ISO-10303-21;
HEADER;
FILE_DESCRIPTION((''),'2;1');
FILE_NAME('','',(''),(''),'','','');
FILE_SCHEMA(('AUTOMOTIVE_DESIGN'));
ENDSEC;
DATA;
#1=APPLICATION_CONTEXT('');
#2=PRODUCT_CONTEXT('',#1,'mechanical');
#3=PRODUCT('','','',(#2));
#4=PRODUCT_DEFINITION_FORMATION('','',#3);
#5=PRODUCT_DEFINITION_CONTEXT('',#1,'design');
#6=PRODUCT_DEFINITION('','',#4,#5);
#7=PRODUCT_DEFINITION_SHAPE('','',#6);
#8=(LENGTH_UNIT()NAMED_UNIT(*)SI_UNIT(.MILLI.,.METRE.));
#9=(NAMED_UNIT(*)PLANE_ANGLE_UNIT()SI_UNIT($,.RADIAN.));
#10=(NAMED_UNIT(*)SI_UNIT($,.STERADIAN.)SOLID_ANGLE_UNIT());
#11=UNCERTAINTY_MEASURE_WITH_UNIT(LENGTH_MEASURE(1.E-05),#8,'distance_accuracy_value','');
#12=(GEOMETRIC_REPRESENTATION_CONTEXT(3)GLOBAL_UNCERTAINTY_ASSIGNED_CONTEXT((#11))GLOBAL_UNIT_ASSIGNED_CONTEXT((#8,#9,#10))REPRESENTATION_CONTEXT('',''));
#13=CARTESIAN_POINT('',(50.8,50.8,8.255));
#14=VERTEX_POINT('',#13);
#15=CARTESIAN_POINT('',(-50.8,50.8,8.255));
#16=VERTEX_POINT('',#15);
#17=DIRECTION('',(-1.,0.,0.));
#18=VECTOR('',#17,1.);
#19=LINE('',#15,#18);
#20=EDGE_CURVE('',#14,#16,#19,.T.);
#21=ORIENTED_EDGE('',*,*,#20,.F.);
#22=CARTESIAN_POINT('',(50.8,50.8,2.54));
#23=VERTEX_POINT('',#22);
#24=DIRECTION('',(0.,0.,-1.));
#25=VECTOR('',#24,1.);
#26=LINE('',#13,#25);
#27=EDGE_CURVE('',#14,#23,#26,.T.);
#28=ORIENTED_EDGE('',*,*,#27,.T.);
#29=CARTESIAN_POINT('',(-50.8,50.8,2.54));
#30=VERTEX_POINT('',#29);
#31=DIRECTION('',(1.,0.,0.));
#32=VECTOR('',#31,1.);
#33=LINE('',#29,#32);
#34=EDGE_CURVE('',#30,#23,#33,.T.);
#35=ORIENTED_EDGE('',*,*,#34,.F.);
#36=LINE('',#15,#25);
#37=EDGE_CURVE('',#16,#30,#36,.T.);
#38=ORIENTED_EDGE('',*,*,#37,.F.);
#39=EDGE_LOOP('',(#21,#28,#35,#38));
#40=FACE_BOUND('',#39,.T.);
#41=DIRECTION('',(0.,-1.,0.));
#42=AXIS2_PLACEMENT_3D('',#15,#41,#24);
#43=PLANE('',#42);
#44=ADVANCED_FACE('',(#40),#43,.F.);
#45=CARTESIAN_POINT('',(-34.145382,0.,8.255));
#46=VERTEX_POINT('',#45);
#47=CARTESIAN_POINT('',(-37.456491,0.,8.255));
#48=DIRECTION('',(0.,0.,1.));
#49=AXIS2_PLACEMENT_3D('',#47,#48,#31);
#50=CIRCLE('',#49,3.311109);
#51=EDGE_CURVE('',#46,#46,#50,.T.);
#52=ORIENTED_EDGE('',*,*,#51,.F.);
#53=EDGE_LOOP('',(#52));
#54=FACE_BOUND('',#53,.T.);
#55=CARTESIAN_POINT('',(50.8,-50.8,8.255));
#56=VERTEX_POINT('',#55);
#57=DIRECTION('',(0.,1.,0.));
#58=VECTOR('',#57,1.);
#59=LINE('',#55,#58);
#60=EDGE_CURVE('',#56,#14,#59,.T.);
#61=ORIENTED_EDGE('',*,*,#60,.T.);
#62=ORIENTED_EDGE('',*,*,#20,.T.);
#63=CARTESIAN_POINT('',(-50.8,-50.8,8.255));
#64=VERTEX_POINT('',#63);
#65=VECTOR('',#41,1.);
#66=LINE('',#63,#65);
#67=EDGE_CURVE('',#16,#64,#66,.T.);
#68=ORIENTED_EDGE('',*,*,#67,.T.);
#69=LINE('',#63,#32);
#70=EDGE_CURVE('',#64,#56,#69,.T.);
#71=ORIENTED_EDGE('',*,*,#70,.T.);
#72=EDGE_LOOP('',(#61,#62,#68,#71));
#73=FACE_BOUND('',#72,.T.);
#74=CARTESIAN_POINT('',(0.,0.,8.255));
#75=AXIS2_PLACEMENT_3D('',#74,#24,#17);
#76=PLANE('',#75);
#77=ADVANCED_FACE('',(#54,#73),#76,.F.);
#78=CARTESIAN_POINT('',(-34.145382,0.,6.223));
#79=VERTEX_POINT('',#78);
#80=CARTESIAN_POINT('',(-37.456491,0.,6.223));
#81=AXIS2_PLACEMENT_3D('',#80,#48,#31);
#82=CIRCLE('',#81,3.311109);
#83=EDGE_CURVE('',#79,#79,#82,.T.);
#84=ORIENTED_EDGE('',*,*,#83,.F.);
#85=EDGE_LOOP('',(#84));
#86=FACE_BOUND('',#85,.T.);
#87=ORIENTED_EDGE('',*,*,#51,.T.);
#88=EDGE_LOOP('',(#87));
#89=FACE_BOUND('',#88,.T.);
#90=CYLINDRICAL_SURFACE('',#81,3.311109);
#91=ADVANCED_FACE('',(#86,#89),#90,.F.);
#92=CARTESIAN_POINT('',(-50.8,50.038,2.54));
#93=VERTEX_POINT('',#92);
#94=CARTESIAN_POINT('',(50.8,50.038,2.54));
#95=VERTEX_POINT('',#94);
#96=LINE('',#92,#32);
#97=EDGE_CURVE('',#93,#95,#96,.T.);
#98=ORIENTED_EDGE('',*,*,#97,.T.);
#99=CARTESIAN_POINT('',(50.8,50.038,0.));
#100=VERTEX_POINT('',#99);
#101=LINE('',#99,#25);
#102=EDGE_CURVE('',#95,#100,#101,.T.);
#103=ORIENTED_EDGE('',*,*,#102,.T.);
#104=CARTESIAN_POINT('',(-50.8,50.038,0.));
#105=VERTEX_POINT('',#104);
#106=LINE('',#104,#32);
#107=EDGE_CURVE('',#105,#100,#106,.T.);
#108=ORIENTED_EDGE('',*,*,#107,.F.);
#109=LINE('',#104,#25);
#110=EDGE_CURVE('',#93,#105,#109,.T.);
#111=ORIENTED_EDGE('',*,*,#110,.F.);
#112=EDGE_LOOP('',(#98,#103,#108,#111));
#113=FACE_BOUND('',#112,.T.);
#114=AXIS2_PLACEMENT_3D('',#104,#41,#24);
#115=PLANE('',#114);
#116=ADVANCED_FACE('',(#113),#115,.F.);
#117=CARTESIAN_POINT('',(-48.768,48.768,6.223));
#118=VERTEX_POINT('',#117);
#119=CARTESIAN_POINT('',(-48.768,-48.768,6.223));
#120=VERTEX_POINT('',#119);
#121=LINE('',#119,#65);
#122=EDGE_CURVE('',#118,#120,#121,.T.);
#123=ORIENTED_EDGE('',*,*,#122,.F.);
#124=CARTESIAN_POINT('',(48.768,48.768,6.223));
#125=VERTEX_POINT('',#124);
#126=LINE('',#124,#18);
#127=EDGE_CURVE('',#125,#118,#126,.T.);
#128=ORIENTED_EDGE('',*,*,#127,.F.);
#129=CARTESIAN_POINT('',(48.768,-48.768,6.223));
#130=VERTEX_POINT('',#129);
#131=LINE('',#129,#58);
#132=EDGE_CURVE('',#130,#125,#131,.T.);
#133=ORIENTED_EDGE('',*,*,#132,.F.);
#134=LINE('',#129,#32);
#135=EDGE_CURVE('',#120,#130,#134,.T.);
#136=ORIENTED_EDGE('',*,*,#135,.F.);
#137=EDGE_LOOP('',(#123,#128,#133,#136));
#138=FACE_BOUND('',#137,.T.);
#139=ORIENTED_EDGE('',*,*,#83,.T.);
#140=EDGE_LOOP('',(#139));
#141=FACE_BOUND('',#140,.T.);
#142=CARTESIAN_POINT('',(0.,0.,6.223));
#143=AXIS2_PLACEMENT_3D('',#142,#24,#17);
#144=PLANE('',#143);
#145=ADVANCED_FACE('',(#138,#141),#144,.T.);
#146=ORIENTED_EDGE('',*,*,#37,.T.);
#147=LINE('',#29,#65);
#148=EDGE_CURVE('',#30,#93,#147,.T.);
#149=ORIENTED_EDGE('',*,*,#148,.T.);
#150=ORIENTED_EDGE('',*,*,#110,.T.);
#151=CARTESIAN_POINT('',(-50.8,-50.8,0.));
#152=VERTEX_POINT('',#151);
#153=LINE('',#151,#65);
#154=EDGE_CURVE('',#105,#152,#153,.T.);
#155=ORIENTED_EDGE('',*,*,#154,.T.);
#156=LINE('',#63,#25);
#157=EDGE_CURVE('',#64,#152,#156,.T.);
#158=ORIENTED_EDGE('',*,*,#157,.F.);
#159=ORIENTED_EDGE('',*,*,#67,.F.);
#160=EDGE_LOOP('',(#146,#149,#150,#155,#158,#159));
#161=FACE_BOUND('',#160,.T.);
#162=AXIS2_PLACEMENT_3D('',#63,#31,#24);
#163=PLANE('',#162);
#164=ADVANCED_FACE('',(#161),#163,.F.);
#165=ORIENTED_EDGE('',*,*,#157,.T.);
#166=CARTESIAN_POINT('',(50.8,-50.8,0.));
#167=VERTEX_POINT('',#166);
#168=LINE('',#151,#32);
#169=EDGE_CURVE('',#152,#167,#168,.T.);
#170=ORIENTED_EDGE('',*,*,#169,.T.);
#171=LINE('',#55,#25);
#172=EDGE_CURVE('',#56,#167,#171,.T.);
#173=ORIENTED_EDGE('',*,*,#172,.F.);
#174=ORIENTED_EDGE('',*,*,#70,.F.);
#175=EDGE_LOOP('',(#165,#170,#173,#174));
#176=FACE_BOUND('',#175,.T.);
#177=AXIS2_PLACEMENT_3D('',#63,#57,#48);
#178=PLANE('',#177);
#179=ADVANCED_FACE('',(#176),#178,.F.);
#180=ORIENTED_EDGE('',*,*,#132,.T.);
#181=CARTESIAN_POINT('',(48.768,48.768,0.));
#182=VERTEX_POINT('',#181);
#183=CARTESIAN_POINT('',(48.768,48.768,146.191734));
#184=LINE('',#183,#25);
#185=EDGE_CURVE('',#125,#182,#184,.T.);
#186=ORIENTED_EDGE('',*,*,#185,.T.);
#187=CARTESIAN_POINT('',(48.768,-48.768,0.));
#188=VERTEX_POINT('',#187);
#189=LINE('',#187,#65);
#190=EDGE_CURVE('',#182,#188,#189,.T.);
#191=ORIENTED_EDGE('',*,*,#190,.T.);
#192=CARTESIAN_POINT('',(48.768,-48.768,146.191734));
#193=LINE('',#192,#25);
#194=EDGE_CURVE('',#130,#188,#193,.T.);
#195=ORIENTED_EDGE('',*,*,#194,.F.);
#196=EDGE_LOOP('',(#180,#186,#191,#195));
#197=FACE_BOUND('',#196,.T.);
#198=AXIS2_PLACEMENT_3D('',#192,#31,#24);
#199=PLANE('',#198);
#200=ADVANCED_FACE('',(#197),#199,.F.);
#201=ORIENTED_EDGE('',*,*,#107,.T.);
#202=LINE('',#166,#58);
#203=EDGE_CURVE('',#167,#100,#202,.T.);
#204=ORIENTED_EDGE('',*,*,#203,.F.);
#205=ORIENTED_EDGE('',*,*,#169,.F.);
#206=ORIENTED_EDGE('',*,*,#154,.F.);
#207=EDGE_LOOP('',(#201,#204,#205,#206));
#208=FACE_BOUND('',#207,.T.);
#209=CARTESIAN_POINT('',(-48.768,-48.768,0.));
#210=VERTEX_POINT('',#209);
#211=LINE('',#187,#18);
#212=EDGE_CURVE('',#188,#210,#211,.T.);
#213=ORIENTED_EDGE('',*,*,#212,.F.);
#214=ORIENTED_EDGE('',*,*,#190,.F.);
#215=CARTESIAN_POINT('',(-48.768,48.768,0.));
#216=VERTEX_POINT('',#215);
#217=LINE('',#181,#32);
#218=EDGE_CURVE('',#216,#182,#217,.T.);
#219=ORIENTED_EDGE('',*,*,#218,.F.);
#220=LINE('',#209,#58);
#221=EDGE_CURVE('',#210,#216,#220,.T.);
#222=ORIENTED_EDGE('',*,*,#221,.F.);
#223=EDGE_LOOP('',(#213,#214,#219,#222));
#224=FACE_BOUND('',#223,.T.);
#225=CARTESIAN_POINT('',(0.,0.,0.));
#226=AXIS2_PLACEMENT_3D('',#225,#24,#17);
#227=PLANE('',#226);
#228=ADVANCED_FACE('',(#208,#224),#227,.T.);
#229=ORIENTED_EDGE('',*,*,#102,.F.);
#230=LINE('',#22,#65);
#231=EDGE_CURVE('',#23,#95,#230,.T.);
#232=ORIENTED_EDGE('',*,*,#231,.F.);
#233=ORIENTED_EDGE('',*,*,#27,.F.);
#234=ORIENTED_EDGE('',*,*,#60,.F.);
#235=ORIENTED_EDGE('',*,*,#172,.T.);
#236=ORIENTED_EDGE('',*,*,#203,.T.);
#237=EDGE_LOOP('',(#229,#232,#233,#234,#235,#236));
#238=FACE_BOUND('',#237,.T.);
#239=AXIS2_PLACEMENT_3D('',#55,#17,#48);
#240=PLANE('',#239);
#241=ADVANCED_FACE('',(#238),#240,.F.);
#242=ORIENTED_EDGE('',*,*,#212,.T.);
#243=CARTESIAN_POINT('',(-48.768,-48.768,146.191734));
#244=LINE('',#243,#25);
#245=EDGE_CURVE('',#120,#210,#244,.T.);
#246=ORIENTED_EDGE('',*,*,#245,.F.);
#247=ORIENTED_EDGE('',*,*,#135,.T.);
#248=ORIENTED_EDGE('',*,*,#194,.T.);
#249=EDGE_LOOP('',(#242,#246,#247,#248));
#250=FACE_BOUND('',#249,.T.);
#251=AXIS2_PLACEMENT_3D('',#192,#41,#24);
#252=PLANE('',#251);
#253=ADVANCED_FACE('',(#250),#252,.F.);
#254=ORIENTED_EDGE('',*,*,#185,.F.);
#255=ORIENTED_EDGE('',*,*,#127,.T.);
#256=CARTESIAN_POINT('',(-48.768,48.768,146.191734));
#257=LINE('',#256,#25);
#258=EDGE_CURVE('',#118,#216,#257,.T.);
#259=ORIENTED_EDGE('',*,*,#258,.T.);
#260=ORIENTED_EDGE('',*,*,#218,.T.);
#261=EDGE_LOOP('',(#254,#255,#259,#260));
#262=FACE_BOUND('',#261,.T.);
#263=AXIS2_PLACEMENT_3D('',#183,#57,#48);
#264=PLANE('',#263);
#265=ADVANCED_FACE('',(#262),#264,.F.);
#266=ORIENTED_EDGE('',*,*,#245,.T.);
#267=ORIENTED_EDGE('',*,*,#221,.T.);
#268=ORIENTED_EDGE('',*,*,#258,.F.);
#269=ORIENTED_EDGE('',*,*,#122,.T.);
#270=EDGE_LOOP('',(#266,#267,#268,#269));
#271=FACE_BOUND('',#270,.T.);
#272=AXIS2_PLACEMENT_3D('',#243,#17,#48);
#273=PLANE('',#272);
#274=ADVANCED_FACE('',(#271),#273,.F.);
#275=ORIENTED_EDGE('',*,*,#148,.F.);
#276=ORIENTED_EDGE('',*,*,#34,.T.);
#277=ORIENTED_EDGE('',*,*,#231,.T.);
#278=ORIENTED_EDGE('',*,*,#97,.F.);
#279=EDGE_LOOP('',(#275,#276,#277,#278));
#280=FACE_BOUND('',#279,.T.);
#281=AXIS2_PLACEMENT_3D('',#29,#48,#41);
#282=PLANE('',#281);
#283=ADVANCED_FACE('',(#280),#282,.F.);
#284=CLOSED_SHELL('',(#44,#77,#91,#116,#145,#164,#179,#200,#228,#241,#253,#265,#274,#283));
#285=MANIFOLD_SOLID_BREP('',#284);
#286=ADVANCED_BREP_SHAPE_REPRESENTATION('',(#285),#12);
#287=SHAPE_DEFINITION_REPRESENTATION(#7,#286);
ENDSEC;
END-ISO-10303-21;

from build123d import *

# Parameters (mm, degrees)
SKETCH2_W           = 101.6
SKETCH2_H           = 101.6
BOSS_EXTRUDE1_DEPTH = 8.255
SKETCH3_W           = 97.536
SKETCH3_H           = 97.536
CUT_EXTRUDE1_DEPTH  = 6.223
SKETCH4_R           = 3.311109117
CUT_EXTRUDE2_DEPTH  = 2.032
SKETCH8_W           = 2.54
SKETCH8_H           = 0.762
CUT_EXTRUDE3_DEPTH  = 114.891812809


with BuildPart() as part:
    # Sketch2 → Boss-Extrude1 (new body)
    with BuildSketch(Plane.XY):
        Rectangle(SKETCH2_W, SKETCH2_H)
    extrude(amount=BOSS_EXTRUDE1_DEPTH)

    # Sketch3 → Cut-Extrude1 (cut)
    with BuildSketch(Plane(origin=(0, 0, 0), x_dir=(-1, 0, 0), z_dir=(0, 0, -1))):
        Rectangle(SKETCH3_W, SKETCH3_H)
    extrude(amount=-CUT_EXTRUDE1_DEPTH, mode=Mode.SUBTRACT)

    # Sketch4 → Cut-Extrude2 (cut)
    with BuildSketch(Plane.XY.offset(8.255)):
        with Locations((-37.456490902, 0)):
            Circle(SKETCH4_R)
    extrude(amount=-CUT_EXTRUDE2_DEPTH, mode=Mode.SUBTRACT)

    # Sketch8 → Cut-Extrude3 (cut, through all)
    with BuildSketch(Plane(origin=(50.8, 0, 0), x_dir=(0, 0, -1), z_dir=(1, 0, 0))):
        with Locations((-1.27, 50.419)):
            Rectangle(SKETCH8_W, SKETCH8_H)
    extrude(amount=-CUT_EXTRUDE3_DEPTH, mode=Mode.SUBTRACT)


solid = part.part
